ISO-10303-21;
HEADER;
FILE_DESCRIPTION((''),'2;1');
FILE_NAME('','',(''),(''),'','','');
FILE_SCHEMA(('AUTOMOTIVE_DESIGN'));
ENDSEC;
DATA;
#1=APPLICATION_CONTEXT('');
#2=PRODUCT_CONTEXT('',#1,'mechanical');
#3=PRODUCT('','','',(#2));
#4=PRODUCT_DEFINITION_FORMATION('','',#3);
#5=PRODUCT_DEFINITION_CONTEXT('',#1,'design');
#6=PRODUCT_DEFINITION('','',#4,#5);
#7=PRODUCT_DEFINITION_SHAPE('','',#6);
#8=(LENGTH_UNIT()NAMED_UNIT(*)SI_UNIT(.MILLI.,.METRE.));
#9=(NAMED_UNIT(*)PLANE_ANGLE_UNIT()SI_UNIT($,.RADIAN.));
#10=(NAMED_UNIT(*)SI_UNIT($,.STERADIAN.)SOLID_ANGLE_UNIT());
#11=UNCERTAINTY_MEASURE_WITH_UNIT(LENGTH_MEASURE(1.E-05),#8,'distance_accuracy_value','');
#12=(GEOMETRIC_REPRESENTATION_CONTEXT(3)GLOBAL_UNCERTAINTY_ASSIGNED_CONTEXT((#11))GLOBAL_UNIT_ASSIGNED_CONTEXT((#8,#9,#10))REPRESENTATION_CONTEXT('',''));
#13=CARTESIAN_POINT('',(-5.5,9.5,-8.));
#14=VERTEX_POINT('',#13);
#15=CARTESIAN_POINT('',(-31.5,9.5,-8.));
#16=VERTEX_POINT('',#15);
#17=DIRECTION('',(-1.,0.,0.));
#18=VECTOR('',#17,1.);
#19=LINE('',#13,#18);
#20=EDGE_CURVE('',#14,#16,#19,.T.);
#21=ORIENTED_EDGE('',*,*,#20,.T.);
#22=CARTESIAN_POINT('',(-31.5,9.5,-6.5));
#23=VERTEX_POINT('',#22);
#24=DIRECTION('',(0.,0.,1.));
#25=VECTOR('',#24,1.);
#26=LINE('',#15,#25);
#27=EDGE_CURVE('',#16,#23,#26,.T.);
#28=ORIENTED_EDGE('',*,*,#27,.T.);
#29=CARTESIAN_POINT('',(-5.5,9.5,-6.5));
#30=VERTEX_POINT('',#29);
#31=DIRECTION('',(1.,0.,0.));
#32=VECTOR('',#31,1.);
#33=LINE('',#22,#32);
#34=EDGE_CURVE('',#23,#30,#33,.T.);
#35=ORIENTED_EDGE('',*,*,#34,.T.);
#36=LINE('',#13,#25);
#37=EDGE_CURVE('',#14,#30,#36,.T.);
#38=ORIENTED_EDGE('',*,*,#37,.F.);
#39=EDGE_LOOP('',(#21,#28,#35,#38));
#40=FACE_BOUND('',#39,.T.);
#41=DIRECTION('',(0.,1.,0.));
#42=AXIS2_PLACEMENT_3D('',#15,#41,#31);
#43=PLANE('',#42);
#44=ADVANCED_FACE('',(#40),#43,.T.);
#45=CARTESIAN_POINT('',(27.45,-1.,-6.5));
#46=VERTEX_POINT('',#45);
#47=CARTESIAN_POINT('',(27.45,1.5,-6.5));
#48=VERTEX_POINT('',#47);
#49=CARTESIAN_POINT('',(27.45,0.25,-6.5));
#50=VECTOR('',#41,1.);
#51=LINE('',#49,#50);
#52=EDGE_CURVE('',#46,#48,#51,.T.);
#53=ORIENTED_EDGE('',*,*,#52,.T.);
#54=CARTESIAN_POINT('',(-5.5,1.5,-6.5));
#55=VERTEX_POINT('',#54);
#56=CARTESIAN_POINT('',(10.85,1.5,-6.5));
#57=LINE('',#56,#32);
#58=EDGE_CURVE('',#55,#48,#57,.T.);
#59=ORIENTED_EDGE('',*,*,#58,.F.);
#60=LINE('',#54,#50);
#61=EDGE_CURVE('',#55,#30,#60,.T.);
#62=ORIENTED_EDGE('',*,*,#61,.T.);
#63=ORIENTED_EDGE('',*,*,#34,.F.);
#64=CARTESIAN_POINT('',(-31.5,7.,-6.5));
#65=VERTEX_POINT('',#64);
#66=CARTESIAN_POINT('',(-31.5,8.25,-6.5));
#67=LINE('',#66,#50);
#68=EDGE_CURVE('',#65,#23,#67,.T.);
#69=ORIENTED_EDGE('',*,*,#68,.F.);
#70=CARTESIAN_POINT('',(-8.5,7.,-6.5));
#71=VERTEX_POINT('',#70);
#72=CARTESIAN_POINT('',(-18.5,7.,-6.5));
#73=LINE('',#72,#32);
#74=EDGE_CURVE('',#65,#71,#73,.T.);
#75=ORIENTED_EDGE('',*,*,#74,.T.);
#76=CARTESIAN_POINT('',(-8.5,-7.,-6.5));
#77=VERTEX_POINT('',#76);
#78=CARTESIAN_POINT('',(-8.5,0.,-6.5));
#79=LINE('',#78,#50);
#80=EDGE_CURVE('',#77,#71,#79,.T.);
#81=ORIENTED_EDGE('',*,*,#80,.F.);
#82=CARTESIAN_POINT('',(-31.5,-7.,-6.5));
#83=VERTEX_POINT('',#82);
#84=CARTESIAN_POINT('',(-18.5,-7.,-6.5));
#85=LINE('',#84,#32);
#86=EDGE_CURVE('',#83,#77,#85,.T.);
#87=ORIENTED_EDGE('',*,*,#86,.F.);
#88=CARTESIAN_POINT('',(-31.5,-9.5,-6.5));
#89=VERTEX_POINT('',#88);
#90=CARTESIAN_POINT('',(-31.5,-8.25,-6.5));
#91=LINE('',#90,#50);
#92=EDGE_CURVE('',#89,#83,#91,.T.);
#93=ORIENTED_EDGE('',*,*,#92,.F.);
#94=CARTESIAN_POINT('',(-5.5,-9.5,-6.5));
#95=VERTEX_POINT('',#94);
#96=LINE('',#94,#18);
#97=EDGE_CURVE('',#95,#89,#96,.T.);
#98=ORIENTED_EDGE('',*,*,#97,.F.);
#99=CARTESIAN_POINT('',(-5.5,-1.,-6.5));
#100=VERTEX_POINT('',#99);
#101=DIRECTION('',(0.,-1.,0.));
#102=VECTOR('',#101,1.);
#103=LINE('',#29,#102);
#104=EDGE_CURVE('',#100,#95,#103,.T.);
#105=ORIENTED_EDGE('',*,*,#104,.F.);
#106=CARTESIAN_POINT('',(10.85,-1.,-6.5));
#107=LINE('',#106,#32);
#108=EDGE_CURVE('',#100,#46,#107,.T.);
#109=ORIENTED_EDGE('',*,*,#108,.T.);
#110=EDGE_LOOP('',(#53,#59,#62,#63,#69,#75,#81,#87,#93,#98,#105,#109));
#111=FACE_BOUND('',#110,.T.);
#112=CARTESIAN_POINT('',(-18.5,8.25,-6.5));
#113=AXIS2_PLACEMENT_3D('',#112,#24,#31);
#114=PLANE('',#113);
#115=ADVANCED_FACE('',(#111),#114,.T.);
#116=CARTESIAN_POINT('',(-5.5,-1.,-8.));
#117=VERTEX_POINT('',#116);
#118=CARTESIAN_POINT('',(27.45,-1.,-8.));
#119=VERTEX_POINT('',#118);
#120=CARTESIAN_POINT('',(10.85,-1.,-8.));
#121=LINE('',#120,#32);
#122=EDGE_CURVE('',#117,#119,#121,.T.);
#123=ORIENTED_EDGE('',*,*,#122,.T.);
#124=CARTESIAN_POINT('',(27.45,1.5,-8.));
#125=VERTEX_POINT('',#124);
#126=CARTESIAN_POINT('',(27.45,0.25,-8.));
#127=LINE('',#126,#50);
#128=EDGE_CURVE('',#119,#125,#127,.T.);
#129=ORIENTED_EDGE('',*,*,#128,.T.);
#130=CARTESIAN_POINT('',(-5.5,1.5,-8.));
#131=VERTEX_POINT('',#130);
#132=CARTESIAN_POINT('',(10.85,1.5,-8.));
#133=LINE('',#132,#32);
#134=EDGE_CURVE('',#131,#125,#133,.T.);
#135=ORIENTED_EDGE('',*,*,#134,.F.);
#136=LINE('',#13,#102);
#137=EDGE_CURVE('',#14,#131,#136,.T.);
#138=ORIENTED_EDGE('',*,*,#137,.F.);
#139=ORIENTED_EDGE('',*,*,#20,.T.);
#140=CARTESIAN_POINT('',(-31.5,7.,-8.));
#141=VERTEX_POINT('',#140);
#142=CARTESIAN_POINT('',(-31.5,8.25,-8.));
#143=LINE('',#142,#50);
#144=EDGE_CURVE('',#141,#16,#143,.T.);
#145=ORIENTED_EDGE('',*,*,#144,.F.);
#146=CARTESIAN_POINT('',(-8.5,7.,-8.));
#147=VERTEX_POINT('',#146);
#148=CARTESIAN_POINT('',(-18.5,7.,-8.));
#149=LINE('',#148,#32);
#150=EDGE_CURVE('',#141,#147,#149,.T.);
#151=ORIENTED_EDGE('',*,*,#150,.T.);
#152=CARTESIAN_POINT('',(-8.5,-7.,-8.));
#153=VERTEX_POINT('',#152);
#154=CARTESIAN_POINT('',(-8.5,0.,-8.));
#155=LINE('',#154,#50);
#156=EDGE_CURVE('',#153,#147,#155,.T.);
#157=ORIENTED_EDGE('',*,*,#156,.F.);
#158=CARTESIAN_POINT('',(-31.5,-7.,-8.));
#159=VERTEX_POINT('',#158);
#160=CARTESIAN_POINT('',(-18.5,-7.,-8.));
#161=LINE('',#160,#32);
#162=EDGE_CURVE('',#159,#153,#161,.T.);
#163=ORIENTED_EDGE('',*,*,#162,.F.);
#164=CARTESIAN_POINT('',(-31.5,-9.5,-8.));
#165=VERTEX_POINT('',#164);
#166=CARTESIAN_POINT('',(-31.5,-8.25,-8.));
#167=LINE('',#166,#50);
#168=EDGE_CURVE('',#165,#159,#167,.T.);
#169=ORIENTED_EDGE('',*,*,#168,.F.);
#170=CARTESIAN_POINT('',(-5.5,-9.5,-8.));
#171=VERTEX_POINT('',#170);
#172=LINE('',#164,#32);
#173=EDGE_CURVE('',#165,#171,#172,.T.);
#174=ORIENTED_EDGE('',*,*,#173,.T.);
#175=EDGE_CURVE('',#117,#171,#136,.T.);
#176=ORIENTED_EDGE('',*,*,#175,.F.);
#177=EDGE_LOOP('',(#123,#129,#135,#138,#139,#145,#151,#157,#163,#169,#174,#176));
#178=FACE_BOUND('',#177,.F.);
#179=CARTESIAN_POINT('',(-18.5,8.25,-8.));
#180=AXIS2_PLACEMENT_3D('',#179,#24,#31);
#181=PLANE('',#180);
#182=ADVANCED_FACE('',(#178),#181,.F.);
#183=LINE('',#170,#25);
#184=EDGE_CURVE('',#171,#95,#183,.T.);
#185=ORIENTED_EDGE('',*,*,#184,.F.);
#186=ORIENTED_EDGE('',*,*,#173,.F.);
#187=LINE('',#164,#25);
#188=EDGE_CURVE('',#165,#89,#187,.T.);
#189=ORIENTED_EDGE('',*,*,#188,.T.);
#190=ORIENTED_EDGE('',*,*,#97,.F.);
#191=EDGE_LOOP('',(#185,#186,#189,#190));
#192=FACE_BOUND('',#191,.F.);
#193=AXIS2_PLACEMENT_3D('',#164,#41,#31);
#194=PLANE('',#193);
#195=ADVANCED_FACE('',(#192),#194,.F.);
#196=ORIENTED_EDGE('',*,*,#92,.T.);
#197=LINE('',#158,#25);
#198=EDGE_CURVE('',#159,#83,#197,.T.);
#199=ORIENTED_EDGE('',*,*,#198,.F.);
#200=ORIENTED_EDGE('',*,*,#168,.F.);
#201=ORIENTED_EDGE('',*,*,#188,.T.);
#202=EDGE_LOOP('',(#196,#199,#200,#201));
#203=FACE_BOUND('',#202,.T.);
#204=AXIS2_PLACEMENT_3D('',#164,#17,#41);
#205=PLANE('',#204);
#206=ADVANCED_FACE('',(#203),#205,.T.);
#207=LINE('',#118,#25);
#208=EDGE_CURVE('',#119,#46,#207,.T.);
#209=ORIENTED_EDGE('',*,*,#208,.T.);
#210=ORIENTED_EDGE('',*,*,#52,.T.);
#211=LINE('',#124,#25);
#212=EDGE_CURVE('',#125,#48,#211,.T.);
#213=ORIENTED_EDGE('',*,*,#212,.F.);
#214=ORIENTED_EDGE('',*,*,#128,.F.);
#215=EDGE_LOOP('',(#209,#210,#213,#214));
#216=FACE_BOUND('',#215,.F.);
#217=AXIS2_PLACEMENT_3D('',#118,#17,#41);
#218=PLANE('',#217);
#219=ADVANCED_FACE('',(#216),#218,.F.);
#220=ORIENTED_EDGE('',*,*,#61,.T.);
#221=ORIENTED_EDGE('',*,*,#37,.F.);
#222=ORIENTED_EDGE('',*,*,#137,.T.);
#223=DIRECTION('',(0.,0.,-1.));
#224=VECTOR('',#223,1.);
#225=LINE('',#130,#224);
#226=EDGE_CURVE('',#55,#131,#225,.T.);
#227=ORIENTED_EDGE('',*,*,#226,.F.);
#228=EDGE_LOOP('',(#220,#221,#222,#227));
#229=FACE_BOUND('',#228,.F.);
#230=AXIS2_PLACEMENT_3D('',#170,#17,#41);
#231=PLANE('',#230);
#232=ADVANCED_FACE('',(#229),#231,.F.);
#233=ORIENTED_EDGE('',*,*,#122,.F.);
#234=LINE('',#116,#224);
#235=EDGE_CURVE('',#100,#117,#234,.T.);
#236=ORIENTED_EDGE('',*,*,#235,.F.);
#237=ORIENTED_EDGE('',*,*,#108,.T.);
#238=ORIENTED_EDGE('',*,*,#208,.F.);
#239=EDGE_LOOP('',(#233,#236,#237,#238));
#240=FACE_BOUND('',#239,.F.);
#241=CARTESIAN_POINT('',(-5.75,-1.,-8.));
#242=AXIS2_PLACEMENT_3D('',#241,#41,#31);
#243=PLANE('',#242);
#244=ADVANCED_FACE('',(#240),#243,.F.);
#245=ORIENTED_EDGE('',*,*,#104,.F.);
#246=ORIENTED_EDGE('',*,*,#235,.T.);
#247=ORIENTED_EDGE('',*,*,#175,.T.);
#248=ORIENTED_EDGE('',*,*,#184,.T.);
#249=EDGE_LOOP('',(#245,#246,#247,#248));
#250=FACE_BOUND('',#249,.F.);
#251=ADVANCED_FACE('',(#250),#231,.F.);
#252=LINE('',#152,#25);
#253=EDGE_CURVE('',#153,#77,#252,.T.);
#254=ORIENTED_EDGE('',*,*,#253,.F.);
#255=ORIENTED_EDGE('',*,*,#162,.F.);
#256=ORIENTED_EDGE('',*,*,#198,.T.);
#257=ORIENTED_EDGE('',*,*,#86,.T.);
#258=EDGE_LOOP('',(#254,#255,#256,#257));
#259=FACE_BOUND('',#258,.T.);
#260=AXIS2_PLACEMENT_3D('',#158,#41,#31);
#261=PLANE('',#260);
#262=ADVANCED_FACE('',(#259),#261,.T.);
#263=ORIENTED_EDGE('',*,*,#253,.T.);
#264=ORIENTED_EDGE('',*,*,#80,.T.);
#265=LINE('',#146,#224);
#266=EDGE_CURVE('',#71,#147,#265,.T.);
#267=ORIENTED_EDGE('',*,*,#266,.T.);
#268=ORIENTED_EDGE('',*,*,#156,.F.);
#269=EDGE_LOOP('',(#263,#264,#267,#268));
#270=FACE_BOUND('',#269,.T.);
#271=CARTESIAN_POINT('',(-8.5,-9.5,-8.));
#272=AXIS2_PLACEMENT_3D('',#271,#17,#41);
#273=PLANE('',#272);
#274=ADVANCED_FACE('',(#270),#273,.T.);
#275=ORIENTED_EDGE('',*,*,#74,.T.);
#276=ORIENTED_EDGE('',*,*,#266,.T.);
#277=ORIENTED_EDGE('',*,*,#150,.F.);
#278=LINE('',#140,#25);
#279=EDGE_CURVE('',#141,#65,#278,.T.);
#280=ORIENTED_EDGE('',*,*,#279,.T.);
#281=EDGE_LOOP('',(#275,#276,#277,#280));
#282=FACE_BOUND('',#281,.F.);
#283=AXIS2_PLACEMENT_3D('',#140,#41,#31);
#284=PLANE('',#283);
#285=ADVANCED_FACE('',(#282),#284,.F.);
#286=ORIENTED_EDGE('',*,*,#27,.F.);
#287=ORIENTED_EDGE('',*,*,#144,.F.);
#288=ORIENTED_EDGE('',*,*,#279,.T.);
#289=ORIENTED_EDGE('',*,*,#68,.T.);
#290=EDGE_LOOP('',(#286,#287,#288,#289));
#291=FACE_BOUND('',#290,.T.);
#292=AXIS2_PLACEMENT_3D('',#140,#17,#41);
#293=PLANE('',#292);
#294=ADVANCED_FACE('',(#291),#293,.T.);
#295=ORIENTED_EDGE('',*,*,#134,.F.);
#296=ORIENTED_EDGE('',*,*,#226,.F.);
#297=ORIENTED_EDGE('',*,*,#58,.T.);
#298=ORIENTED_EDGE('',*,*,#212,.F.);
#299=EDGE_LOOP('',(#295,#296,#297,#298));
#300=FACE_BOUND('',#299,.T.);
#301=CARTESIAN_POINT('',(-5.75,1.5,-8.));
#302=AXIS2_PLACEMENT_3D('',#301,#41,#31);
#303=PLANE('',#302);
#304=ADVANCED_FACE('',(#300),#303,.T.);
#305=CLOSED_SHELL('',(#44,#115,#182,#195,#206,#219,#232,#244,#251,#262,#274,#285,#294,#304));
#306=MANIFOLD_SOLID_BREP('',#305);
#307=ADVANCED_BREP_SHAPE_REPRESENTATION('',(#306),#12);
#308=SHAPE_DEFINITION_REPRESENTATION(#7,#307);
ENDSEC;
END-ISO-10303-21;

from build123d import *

# Parameters (mm, degrees)
BOX059_W     = 3
BOX059_H     = 19
BOX059_DEPTH = 1.5
BOX060_W     = 33.2
BOX060_H     = 2.5
BOX060_DEPTH = 1.5
BOX057_W     = 26
BOX057_H     = 2.5
BOX057_DEPTH = 1.5
BOX058_W     = 26
BOX058_H     = 2.5
BOX058_DEPTH = 1.5


with BuildPart() as w_rfel059:
    # Box059 → Box059 (new body)
    with BuildSketch(Plane(origin=(-8.5, -9.5, -8), x_dir=(1, 0, 0), z_dir=(0, 0, 1))):
        with Locations((1.5, 9.5)):
            Rectangle(BOX059_W, BOX059_H)
    extrude(amount=BOX059_DEPTH)


with BuildPart() as w_rfel060:
    # Box060 → Box060 (new body)
    with BuildSketch(Plane(origin=(-5.75, -1, -8), x_dir=(1, 0, 0), z_dir=(0, 0, 1))):
        with Locations((16.6, 1.25)):
            Rectangle(BOX060_W, BOX060_H)
    extrude(amount=BOX060_DEPTH)


with BuildPart() as w_rfel057:
    # Box057 → Box057 (new body)
    with BuildSketch(Plane(origin=(-31.5, 7, -8), x_dir=(1, 0, 0), z_dir=(0, 0, 1))):
        with Locations((13, 1.25)):
            Rectangle(BOX057_W, BOX057_H)
    extrude(amount=BOX057_DEPTH)


with BuildPart() as fusion064:
    # Box058 → Box058 (new body)
    with BuildSketch(Plane(origin=(-31.5, -9.5, -8), x_dir=(1, 0, 0), z_dir=(0, 0, 1))):
        with Locations((13, 1.25)):
            Rectangle(BOX058_W, BOX058_H)
    extrude(amount=BOX058_DEPTH)

    # Fusion064: union Würfel059, Würfel060, Würfel057
    add(w_rfel059.part)
    add(w_rfel060.part)
    add(w_rfel057.part)


solid = fusion064.part
